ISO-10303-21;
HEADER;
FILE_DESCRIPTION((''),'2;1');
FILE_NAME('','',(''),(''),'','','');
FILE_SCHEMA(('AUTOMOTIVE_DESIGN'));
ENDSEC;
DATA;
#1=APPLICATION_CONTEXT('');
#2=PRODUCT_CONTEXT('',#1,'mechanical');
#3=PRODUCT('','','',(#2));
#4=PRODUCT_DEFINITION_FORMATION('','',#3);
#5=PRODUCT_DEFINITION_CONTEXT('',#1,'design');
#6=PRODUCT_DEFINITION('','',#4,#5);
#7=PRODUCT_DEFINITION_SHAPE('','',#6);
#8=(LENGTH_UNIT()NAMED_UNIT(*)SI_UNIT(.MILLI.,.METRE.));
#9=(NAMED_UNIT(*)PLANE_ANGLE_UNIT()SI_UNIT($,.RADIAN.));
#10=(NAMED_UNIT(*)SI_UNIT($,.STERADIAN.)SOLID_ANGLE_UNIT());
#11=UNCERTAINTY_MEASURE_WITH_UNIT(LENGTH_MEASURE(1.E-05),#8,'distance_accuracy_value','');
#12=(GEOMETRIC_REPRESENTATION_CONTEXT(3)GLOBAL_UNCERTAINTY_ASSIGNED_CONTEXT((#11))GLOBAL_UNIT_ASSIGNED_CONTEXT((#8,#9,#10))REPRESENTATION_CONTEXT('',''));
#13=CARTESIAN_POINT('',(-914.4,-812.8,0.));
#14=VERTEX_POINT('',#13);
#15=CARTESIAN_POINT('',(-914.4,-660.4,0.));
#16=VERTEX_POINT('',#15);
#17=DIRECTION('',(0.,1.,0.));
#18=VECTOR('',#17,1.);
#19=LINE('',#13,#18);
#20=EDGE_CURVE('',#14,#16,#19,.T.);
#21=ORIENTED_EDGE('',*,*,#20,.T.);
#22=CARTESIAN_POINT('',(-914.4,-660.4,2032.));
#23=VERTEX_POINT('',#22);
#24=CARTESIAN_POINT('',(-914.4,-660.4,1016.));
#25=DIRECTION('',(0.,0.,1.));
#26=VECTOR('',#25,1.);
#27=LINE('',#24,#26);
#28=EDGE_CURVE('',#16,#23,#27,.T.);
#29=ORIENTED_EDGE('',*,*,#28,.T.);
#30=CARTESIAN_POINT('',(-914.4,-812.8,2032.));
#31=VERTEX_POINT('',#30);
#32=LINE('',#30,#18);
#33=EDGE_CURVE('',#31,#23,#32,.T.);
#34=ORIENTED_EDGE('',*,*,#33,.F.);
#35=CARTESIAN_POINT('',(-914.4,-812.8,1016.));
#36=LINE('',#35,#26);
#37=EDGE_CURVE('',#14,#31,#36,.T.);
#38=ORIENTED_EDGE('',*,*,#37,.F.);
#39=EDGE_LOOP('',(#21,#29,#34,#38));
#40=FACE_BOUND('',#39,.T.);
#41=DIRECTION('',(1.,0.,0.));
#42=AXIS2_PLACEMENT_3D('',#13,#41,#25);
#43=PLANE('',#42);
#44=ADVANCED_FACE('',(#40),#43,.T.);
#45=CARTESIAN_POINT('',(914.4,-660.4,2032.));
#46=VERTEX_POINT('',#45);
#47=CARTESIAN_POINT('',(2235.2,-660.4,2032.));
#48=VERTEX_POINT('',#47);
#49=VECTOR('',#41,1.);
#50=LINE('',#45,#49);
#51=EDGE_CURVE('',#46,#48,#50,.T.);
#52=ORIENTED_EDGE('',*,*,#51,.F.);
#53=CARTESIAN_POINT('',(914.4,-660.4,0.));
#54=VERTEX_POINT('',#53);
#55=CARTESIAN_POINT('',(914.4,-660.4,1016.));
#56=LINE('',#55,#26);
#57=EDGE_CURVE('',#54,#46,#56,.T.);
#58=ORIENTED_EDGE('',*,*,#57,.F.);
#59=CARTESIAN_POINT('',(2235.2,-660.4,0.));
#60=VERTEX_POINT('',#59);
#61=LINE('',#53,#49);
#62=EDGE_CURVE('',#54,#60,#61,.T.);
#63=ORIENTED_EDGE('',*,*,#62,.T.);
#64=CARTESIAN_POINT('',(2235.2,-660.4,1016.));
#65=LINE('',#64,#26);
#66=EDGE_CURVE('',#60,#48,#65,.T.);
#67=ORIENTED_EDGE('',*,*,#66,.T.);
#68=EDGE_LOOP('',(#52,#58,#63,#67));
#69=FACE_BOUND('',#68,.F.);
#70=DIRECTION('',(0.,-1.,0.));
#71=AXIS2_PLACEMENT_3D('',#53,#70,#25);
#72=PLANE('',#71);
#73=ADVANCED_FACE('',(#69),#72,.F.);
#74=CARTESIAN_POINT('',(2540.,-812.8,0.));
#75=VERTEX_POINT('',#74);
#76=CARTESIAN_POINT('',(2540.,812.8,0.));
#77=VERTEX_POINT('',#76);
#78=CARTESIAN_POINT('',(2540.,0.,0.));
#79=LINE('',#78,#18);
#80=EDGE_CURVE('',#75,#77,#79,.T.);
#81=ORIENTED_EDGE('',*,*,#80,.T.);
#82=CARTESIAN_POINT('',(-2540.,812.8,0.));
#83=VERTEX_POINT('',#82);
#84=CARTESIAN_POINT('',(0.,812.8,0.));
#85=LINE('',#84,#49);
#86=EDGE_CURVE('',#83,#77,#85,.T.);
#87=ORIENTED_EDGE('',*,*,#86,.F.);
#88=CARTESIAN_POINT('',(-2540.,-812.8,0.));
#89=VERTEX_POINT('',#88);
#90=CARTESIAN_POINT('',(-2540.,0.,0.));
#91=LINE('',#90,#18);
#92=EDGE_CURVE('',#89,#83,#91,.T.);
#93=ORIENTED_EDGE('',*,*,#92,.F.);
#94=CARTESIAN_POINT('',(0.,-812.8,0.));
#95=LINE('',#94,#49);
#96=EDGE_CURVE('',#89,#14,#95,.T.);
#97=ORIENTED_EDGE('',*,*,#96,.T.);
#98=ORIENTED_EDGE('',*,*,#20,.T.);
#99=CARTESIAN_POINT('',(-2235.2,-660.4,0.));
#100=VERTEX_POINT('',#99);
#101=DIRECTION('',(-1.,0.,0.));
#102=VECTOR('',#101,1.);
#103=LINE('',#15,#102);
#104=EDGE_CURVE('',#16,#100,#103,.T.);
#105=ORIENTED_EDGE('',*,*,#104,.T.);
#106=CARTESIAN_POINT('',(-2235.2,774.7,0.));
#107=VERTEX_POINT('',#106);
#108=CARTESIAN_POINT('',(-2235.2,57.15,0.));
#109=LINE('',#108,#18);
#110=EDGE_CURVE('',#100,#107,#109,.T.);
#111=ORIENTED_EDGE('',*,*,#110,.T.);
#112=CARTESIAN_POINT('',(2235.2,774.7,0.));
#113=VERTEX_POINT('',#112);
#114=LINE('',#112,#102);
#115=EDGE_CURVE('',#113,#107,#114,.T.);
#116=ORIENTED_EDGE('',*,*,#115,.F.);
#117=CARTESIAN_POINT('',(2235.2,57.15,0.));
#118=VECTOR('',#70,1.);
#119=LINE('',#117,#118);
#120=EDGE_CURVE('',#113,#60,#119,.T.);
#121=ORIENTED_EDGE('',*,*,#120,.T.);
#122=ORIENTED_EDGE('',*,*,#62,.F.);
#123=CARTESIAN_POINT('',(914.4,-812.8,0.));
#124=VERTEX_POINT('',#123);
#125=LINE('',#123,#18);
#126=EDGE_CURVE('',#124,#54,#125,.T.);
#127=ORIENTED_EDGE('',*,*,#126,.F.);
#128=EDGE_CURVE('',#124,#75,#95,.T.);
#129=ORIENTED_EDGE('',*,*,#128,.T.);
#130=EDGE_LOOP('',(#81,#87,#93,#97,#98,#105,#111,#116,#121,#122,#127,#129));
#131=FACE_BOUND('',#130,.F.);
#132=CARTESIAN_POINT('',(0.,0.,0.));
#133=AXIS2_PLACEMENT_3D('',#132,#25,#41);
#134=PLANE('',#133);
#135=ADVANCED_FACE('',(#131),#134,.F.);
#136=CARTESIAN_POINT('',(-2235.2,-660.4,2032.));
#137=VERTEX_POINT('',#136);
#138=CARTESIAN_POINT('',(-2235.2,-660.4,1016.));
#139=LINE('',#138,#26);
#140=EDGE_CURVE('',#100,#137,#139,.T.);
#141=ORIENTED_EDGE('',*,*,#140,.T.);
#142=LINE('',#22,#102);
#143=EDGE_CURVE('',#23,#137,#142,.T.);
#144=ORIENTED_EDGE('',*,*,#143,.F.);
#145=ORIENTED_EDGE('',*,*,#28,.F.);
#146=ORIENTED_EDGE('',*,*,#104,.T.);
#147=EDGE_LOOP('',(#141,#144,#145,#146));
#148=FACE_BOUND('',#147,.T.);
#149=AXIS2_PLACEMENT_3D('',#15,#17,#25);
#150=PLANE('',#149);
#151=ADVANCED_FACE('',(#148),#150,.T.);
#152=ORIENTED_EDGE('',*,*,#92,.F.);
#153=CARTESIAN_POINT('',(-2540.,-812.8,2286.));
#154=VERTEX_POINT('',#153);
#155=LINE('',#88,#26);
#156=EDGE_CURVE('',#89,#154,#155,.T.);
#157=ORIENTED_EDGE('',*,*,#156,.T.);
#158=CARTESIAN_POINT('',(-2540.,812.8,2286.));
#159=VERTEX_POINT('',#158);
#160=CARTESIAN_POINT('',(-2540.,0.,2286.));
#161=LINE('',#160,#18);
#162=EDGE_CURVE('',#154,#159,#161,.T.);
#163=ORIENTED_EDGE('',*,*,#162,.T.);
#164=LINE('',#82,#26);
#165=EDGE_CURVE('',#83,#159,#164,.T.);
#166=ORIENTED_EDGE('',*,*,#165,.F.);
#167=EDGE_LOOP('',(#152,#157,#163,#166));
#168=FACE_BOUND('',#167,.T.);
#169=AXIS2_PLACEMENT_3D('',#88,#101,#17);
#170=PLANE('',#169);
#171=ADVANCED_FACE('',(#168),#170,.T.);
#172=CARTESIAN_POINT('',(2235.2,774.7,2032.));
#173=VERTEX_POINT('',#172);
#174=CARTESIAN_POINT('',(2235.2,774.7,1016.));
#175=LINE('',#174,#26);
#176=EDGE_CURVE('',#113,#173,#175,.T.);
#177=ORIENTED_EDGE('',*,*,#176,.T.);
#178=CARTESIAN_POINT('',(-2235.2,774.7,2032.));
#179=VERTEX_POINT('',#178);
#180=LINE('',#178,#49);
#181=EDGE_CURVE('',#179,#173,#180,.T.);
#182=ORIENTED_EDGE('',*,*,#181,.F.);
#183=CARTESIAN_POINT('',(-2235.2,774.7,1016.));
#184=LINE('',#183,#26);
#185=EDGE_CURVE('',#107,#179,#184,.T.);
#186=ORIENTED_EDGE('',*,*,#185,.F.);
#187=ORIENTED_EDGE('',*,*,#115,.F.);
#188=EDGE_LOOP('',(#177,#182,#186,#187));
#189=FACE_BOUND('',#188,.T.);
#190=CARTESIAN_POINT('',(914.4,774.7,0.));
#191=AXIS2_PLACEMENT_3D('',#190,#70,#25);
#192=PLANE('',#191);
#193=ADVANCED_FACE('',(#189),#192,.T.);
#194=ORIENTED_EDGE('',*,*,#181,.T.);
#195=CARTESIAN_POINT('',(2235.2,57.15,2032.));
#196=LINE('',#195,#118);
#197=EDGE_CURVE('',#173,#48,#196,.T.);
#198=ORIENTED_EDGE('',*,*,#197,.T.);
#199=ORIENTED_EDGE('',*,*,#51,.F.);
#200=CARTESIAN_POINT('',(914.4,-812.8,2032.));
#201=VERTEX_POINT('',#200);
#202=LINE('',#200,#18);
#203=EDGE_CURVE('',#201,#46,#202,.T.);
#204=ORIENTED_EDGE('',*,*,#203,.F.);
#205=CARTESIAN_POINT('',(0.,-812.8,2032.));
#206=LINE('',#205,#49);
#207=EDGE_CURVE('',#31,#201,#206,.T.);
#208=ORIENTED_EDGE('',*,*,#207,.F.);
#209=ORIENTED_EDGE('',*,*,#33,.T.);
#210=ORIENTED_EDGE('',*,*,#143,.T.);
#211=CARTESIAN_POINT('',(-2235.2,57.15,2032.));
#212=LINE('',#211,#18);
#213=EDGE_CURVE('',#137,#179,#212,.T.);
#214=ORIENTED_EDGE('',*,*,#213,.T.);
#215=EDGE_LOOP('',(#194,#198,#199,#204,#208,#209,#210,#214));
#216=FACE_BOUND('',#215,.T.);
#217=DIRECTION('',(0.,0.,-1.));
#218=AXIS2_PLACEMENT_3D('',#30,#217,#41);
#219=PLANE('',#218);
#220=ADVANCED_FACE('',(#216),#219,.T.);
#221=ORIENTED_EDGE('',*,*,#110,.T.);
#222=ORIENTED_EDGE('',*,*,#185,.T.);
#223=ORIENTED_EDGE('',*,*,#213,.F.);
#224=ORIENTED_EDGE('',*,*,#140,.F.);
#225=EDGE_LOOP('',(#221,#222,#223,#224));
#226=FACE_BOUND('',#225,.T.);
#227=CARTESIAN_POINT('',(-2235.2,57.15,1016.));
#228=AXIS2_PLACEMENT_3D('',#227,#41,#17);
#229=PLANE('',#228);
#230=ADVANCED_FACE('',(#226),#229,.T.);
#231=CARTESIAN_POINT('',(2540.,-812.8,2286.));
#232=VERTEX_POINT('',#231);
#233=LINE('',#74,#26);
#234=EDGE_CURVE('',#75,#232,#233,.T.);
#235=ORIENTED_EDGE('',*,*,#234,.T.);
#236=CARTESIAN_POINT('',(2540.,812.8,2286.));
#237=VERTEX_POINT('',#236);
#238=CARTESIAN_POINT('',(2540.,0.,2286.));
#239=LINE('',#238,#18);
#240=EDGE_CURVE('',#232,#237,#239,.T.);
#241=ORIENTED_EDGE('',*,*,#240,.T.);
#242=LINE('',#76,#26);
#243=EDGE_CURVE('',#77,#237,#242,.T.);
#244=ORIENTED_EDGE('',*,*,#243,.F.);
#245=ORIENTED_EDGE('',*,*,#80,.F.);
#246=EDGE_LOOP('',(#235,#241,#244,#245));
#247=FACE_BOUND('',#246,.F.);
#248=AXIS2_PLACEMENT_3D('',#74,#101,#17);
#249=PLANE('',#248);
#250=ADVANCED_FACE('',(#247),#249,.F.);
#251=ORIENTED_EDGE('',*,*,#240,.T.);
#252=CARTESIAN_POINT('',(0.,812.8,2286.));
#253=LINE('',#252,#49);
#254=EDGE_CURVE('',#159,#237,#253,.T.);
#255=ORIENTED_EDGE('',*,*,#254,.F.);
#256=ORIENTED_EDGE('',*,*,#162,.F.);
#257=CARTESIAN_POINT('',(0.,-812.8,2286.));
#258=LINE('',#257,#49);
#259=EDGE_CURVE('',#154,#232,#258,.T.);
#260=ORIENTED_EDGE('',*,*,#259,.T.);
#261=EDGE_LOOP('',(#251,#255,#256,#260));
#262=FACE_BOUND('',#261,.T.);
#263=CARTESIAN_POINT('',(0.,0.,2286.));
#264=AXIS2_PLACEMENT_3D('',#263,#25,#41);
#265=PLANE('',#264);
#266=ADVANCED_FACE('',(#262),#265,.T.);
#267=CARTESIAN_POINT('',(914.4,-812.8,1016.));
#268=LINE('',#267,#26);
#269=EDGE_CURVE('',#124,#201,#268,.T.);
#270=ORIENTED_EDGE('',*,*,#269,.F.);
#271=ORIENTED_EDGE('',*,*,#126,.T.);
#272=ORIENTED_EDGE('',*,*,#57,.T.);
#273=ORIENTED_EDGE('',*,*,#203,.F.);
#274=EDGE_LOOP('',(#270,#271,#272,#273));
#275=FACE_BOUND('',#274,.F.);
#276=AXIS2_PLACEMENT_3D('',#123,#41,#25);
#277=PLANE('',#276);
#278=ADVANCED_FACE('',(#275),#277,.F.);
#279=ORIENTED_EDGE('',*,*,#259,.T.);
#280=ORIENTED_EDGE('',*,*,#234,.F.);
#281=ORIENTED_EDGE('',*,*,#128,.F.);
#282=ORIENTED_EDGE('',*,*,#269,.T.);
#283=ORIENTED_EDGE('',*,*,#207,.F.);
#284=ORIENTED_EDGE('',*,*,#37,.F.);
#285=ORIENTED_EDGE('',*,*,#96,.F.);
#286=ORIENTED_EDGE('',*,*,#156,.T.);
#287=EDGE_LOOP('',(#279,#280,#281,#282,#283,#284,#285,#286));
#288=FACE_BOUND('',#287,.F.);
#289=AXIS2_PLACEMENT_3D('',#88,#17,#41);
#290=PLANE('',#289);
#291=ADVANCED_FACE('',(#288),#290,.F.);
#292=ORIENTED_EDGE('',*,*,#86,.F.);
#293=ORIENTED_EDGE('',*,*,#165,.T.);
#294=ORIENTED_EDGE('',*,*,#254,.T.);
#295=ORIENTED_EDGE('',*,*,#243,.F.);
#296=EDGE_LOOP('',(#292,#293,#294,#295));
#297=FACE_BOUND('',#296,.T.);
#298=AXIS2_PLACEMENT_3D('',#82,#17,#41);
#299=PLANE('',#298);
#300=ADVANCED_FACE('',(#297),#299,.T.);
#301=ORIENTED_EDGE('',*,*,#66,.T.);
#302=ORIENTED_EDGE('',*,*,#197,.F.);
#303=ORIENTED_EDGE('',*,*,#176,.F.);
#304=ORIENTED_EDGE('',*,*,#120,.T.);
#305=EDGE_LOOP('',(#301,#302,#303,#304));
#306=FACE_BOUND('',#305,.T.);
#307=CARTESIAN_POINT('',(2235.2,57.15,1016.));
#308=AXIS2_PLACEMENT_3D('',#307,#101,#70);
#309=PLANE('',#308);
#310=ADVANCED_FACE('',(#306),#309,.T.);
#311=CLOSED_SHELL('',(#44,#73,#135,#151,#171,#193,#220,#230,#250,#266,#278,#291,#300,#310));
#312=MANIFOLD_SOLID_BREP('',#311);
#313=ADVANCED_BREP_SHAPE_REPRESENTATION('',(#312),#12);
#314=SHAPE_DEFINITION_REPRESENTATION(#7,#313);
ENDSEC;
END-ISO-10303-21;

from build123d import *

# Parameters (mm, degrees)
F0_W     = 5080
F0_H     = 1625.6
F1_DEPTH = 2286
F2_W     = 1828.8
F2_H     = 2032
F3_DEPTH = 1587.5
F4_W     = 1435.1
F4_H     = 2032
F5_DEPTH = 1320.8
F6_W     = 1435.1
F6_H     = 2032
F7_DEPTH = 1320.8


with BuildPart() as f1:
    # F0 (on Top) → F1 (new body)
    with BuildSketch(Plane.XY):
        Rectangle(F0_W, F0_H)
    extrude(amount=F1_DEPTH)

    # F2 (on face) → F3 (cut)
    with BuildSketch(Plane.XZ.offset(812.8)):
        with Locations((0, 1016)):
            Rectangle(F2_W, F2_H)
    extrude(amount=-F3_DEPTH, mode=Mode.SUBTRACT)

    # F4 (on face) → F5 (cut)
    with BuildSketch(Plane(origin=(914.4, 0, 0), x_dir=(0, -1, 0), z_dir=(-1, 0, 0))):
        with Locations((-57.15, 1016)):
            Rectangle(F4_W, F4_H)
    extrude(amount=-F5_DEPTH, mode=Mode.SUBTRACT)

    # F6 (on face) → F7 (cut)
    with BuildSketch(Plane.YZ.offset(-914.4)):
        with Locations((57.15, 1016)):
            Rectangle(F6_W, F6_H)
    extrude(amount=-F7_DEPTH, mode=Mode.SUBTRACT)


solid = f1.part
